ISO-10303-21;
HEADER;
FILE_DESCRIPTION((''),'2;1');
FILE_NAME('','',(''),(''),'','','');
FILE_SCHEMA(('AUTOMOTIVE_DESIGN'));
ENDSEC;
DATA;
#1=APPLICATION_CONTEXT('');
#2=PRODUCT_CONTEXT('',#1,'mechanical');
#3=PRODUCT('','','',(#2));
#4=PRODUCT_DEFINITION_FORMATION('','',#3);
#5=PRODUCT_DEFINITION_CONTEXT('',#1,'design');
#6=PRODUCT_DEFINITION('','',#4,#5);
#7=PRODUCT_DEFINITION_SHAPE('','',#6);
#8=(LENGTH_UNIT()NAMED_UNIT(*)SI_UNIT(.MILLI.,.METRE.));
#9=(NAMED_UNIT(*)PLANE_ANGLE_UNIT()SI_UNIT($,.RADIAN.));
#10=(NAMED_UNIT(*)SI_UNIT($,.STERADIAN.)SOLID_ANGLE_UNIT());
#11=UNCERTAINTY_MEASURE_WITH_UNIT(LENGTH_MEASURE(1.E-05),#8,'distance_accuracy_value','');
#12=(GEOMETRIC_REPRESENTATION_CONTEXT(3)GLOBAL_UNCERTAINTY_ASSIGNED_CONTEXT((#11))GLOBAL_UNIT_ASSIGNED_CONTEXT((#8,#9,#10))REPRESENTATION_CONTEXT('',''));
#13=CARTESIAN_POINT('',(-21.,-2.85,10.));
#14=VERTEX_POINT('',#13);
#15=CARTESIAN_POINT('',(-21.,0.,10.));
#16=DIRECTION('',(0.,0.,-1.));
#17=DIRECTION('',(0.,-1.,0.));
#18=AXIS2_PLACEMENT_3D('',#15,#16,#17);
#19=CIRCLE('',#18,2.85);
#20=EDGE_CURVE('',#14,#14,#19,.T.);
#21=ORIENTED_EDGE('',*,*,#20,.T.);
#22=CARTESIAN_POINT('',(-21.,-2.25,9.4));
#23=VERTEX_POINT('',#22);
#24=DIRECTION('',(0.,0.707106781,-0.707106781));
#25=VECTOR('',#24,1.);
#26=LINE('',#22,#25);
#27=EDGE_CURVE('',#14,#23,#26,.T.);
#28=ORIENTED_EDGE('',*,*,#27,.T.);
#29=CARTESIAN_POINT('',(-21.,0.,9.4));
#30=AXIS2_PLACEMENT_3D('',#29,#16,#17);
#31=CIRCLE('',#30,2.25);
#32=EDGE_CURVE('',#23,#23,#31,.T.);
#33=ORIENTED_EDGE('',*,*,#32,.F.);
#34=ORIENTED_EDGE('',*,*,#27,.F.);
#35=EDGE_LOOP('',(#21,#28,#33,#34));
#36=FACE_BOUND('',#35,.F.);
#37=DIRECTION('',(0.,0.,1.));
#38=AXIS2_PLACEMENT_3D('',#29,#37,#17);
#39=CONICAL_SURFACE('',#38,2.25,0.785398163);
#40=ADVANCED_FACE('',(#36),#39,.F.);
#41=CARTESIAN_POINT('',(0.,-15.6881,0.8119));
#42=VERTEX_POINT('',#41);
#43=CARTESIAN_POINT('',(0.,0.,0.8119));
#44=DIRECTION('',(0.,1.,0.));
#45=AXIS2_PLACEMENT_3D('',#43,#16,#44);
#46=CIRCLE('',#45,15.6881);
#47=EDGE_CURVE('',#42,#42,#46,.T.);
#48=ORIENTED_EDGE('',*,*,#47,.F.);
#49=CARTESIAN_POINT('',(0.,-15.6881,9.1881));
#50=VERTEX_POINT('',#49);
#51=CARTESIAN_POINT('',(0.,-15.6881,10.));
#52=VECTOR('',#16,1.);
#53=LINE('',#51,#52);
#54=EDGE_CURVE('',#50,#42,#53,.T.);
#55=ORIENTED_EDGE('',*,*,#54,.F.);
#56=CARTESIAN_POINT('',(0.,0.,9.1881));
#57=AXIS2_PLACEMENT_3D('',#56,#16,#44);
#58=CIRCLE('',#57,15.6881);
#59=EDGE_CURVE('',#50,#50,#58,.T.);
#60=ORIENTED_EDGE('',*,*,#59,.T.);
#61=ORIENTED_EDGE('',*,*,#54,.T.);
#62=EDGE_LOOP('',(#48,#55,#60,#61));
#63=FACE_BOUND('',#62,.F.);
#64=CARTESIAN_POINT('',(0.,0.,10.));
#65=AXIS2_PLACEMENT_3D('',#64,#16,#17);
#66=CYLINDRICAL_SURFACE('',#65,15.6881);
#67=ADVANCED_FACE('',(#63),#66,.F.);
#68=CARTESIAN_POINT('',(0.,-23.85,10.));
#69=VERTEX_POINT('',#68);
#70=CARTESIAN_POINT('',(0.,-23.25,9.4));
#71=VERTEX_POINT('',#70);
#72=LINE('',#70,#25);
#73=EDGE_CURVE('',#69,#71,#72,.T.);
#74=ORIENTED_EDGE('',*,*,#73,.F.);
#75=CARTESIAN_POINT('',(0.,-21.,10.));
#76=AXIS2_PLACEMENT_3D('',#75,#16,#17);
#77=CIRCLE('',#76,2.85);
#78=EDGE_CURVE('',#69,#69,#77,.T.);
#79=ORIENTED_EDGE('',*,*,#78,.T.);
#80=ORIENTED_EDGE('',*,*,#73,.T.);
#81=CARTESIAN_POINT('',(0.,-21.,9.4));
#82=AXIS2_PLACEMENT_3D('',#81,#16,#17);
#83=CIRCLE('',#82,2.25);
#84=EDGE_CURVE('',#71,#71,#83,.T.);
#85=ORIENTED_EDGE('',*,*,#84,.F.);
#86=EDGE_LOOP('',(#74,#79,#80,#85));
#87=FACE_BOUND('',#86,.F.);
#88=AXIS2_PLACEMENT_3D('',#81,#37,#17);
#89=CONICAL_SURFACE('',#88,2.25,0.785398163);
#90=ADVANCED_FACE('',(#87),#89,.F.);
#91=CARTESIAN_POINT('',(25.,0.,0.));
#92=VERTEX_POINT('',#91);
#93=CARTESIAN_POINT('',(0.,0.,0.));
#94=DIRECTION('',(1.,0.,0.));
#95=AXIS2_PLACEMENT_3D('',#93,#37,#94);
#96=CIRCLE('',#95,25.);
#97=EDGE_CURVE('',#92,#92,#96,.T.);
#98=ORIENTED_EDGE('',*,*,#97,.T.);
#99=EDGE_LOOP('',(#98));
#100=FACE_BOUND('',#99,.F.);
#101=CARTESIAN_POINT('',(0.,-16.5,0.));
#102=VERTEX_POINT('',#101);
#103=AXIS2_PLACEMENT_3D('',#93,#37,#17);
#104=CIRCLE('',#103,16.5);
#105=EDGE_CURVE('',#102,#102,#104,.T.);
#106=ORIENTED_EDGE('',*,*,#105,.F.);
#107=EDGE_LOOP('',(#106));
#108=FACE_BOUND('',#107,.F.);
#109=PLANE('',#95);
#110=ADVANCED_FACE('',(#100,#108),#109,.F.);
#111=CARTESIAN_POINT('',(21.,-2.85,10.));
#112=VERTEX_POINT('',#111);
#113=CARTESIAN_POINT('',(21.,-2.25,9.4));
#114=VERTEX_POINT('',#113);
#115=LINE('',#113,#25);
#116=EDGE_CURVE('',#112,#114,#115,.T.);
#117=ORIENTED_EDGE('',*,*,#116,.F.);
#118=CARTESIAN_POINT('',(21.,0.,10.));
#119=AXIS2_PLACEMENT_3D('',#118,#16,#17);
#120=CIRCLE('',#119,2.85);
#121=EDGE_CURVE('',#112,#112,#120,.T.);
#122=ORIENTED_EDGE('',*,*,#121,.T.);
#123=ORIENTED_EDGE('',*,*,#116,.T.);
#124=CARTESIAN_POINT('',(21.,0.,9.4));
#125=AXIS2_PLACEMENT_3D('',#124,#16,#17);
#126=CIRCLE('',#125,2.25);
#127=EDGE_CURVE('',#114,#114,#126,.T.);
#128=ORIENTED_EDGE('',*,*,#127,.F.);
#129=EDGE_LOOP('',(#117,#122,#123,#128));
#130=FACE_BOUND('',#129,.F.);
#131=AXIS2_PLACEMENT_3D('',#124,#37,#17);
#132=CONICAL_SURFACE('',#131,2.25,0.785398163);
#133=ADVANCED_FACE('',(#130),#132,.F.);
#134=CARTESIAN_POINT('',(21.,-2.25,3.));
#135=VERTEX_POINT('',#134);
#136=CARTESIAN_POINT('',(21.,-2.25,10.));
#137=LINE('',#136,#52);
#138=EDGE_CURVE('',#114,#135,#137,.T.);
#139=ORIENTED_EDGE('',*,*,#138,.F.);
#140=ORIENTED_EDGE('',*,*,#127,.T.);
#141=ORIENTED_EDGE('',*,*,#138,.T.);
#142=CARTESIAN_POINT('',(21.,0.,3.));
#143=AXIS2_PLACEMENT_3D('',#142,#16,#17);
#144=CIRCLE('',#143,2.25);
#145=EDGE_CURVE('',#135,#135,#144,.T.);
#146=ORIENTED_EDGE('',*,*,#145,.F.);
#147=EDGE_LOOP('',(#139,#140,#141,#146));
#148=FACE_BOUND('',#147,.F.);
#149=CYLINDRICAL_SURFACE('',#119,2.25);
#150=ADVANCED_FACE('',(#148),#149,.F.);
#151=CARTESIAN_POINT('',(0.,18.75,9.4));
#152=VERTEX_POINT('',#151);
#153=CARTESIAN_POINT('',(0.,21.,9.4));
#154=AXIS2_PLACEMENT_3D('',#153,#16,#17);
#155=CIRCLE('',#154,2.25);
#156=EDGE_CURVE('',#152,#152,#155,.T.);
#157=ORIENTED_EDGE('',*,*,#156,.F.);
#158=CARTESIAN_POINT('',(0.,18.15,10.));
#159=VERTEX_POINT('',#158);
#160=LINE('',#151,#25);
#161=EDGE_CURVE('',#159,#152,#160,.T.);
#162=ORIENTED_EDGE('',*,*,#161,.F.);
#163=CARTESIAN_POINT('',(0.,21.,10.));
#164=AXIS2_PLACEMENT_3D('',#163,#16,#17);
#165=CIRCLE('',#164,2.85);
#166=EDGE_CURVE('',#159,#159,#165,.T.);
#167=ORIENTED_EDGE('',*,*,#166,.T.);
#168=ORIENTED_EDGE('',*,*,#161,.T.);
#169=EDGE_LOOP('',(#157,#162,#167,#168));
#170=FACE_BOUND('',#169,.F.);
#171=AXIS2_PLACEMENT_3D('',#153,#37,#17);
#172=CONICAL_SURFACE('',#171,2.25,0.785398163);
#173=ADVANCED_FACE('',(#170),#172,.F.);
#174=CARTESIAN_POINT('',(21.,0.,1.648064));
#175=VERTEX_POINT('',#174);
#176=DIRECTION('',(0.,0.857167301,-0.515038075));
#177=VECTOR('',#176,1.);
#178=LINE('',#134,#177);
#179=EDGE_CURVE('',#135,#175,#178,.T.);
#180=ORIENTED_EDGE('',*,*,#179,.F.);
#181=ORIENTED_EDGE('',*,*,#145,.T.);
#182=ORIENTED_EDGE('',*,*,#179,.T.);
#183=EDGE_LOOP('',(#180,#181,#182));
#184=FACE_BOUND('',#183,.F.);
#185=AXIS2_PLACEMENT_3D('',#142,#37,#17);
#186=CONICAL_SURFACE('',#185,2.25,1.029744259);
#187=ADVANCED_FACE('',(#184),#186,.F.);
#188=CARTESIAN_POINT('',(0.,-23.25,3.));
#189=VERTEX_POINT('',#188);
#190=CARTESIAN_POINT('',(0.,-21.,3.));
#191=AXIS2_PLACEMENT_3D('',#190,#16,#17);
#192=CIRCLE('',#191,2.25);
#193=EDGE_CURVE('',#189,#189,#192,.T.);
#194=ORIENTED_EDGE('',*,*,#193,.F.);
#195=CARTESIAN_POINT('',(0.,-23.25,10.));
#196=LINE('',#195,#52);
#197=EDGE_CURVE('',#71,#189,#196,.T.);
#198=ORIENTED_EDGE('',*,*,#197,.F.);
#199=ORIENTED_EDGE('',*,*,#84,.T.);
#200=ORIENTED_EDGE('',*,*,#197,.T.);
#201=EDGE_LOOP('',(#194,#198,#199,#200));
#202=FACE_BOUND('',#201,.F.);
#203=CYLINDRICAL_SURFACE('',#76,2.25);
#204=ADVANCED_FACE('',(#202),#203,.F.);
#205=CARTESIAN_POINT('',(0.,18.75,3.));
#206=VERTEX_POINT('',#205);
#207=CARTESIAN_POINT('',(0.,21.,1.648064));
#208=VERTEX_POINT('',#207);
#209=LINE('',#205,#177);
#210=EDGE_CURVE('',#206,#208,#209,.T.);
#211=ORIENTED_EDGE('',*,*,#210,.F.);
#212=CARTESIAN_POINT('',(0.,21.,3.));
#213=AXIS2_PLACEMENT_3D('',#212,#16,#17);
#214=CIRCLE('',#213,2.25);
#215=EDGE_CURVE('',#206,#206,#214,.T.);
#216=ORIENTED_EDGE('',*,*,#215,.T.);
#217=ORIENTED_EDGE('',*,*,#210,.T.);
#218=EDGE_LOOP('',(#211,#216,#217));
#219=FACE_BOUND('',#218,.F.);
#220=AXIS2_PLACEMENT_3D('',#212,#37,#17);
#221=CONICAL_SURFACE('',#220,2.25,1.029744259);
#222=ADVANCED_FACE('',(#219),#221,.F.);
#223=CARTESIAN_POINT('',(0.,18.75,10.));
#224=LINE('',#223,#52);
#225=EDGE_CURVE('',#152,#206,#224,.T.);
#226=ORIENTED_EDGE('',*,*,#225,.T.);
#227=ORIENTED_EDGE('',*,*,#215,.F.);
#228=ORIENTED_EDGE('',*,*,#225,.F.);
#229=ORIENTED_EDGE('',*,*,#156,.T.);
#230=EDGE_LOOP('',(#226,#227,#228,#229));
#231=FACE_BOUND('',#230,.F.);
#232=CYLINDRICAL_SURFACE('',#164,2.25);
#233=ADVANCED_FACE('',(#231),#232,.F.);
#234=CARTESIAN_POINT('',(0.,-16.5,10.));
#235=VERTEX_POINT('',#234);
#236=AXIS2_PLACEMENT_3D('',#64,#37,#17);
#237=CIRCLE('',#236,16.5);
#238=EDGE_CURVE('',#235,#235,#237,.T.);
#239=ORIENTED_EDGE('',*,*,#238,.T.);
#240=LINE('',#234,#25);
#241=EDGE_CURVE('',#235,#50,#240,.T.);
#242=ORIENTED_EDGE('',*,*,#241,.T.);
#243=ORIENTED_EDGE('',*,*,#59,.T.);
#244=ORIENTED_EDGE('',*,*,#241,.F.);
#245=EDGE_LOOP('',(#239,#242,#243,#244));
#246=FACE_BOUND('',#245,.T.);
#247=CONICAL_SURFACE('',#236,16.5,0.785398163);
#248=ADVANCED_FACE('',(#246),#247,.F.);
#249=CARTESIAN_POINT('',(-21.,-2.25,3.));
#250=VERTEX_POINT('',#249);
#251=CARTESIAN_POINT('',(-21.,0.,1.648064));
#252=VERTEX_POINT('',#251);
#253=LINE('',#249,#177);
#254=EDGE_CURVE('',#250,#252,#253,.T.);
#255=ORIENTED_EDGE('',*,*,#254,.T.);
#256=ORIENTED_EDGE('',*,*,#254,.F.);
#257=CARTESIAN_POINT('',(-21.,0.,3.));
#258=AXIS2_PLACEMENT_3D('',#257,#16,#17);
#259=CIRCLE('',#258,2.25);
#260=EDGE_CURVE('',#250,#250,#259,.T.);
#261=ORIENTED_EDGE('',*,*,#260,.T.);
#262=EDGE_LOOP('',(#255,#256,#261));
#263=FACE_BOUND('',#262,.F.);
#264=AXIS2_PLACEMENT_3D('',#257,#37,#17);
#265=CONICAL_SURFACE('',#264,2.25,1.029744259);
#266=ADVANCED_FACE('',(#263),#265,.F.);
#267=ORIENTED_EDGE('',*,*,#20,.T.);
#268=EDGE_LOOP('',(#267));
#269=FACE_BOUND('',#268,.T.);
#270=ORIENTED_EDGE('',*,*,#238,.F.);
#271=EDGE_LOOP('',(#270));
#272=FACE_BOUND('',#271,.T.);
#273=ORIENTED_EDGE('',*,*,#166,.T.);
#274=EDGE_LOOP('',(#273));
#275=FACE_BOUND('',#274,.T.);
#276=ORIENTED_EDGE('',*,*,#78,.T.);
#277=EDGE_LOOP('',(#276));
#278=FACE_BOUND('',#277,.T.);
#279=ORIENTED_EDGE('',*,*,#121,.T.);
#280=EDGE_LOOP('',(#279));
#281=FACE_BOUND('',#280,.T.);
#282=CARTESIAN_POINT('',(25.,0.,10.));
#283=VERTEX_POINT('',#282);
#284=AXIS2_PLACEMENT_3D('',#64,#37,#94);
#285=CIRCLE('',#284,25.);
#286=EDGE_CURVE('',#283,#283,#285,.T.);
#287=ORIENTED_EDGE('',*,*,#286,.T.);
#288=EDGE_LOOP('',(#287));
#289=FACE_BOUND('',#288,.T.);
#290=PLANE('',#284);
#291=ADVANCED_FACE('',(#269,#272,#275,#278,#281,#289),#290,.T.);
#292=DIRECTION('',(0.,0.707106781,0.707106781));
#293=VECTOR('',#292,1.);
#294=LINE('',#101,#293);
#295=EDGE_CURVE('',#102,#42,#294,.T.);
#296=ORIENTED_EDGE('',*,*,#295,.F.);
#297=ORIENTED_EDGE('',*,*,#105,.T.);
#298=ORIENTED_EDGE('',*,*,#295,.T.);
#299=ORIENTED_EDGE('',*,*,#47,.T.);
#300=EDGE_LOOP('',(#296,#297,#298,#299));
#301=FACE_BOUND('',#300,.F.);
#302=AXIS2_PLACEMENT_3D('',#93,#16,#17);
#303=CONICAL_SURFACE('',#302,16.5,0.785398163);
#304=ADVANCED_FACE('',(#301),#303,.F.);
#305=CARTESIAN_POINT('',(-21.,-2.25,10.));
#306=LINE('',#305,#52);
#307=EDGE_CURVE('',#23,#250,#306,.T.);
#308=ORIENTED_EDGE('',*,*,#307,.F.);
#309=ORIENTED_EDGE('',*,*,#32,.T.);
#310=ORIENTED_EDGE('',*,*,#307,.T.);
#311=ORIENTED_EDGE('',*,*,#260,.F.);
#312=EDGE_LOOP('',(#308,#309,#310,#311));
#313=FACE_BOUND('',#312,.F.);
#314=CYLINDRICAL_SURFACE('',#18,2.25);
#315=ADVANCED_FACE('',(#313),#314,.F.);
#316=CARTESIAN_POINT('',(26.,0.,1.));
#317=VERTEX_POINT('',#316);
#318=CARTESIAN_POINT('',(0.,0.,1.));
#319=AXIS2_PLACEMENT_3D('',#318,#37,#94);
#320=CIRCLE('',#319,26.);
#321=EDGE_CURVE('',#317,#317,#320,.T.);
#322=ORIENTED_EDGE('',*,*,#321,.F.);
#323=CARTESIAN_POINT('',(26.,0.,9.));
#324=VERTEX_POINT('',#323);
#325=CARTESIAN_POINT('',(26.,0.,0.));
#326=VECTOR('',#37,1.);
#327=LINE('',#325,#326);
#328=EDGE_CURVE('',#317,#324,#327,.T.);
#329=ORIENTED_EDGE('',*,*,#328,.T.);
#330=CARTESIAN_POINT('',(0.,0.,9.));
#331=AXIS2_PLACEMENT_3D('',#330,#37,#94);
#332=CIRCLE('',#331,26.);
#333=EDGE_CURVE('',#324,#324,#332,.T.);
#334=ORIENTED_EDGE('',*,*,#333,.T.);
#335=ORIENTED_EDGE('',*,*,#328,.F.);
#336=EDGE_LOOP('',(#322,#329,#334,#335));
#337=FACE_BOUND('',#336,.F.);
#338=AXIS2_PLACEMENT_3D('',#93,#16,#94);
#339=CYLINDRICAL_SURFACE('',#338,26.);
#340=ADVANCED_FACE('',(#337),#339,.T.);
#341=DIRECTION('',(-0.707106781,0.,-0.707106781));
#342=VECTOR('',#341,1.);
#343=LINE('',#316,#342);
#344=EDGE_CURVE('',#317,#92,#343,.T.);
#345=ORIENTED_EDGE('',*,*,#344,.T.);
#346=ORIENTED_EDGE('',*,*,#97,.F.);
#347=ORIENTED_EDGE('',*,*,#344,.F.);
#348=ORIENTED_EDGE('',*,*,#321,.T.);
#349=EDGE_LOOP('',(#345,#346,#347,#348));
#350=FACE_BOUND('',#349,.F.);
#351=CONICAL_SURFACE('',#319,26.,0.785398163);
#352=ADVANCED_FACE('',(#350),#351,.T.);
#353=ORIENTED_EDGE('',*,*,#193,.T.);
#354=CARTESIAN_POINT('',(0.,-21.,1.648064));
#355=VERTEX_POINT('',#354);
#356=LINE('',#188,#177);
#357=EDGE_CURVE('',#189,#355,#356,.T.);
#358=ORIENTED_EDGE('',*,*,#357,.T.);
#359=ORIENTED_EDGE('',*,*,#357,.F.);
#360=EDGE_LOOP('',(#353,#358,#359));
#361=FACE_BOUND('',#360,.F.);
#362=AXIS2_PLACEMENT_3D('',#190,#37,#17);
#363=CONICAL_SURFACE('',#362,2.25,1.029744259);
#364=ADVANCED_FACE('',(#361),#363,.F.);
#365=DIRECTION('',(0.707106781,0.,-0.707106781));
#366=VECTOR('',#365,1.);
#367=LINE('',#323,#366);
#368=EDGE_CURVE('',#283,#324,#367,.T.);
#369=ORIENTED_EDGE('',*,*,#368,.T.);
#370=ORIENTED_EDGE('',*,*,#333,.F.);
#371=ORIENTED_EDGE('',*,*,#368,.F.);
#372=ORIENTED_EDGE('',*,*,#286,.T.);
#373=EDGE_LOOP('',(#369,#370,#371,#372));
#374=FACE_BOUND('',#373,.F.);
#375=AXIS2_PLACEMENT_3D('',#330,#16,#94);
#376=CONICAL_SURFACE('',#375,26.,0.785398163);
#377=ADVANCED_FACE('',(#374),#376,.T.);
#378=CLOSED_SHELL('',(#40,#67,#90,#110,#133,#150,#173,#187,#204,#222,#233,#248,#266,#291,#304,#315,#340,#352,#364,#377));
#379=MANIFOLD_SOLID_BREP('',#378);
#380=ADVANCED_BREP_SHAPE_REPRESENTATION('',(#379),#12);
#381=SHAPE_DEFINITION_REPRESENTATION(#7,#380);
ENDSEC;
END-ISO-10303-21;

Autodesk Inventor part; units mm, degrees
ref_plane "YZ Plane" through (0, 0, 0) normal (1, 0, 0) x (0, 1, 0)
ref_plane "XZ Plane" through (0, 0, 0) normal (0, 1, 0) x (-1, 0, 0)
ref_plane "XY Plane" through (0, 0, 0) normal (0, 0, 1) x (1, 0, 0)
sketch "Sketch1" plane through (0, 0, 0) normal (0, 0, 1) x (1, 0, 0)
  line L0 (-36.4, 0) -> (36.4, 0) construction
  line L1 (0, -36.4) -> (0, 36.4) construction
  circle A0 centre (0, 0) radius 26
  dimension "d0" = 52
extrude "Выдавливание1" add sketch "Sketch1" along normal blind 10
hole "Отверстие1" at (0, 0, 10) direction (0, 0, -1) diameter 31.3762 end through all thread size "M33x1.5" class "6H" standard "ISO Metric profile"
sketch "Sketch2" plane through (0, 0, 10) normal (0, 0, 1) x (1, 0, 0)
  circle A0 centre (0, 0) radius 26 projected
  circle A1 centre (0, 0) radius 21 construction
  line L0 (-36.4, 0) -> (36.4, 0) construction
  line L1 (0, -36.4) -> (0, 36.4) construction
  point P0 (-21, 0)
  point P1 (0, 21)
  point P2 (21, 0)
  point P3 (0, -21)
  dimension "d13" = 42
hole "Отверстие2" at (-21, 0, 10) at (0, 21, 10) at (21, 0, 10) at (0, -21, 10) direction (0, 0, -1) diameter 4.5 depth 7 tip angle 118
chamfer "Фаска1" distance 0.6 angle 45 4 edges at (0, -18.75, 10) (-21, 2.25, 10) (21, 2.25, 10) (0, 23.25, 10)
chamfer "Фаска2" distance 1 angle 45 2 edges at (-26, 0, 10) (-26, 0, 0)
sketch "Sketch3" plane through (0, 0, 0) normal (1, 0, 0) x (0, 1, 0)
  line L0 (-15.6881, 0) -> (-15.6881, 10) construction
  line L1 (15.6881, 0) -> (15.6881, 10) construction
  line L2 (-16.5, 10) -> (0, -6.5)
  line L3 (-16.5, 10) -> (0, 10)
  line L4 (0, 10) -> (0, -6.5)
  line L5 (0, -11.1) -> (0, 21.1) construction
  line L6 (-15.6074, 5) -> (15.0846, 5) construction
  line L7 (-22.9376, 0) -> (22.1257, 0) construction
  line L8 (-16.5, 0) -> (0, 16.5)
  line L9 (-16.5, 0) -> (0, 0)
  line L10 (0, 0) -> (0, 16.5)
  point P0 (15.6881, 5)
  dimension "d30" = 10
  dimension "d31" = 33
  dimension "d32" = 45
  dimension "d34" = 5
revolve "Вращение1" cut sketch "Sketch3" angle 360 about axis through (0, 0, -10) along (0, 0, 1)
equation "\"d0\" = D_L"
equation "\"d2\" = m_"
equation "\"d13\" = D_x"
equation "\"d14\" = d1"
equation "\"d16\" = d1"
equation "\"d19\" = h_"
equation "\"d21\" = c1"
equation "\"d24\" = c_"
equation "\"d30\" = m_"
equation "\"d31\" = d_"
equation "\"d34\" = 0.5 * m_"
equation "\"d_\" = 33"
equation "\"D_L\" = 52"
equation "\"D_x\" = 42"
equation "\"d1\" = 4.5"
equation "\"m_\" = 10"
equation "\"h_\" = 7"
equation "\"c_\" = 1"
equation "\"c1\" = 0.6"
properties part number "Гайка M33x1.5 6H ГОСТ 6393-73" material "Сталь, мягкая"
